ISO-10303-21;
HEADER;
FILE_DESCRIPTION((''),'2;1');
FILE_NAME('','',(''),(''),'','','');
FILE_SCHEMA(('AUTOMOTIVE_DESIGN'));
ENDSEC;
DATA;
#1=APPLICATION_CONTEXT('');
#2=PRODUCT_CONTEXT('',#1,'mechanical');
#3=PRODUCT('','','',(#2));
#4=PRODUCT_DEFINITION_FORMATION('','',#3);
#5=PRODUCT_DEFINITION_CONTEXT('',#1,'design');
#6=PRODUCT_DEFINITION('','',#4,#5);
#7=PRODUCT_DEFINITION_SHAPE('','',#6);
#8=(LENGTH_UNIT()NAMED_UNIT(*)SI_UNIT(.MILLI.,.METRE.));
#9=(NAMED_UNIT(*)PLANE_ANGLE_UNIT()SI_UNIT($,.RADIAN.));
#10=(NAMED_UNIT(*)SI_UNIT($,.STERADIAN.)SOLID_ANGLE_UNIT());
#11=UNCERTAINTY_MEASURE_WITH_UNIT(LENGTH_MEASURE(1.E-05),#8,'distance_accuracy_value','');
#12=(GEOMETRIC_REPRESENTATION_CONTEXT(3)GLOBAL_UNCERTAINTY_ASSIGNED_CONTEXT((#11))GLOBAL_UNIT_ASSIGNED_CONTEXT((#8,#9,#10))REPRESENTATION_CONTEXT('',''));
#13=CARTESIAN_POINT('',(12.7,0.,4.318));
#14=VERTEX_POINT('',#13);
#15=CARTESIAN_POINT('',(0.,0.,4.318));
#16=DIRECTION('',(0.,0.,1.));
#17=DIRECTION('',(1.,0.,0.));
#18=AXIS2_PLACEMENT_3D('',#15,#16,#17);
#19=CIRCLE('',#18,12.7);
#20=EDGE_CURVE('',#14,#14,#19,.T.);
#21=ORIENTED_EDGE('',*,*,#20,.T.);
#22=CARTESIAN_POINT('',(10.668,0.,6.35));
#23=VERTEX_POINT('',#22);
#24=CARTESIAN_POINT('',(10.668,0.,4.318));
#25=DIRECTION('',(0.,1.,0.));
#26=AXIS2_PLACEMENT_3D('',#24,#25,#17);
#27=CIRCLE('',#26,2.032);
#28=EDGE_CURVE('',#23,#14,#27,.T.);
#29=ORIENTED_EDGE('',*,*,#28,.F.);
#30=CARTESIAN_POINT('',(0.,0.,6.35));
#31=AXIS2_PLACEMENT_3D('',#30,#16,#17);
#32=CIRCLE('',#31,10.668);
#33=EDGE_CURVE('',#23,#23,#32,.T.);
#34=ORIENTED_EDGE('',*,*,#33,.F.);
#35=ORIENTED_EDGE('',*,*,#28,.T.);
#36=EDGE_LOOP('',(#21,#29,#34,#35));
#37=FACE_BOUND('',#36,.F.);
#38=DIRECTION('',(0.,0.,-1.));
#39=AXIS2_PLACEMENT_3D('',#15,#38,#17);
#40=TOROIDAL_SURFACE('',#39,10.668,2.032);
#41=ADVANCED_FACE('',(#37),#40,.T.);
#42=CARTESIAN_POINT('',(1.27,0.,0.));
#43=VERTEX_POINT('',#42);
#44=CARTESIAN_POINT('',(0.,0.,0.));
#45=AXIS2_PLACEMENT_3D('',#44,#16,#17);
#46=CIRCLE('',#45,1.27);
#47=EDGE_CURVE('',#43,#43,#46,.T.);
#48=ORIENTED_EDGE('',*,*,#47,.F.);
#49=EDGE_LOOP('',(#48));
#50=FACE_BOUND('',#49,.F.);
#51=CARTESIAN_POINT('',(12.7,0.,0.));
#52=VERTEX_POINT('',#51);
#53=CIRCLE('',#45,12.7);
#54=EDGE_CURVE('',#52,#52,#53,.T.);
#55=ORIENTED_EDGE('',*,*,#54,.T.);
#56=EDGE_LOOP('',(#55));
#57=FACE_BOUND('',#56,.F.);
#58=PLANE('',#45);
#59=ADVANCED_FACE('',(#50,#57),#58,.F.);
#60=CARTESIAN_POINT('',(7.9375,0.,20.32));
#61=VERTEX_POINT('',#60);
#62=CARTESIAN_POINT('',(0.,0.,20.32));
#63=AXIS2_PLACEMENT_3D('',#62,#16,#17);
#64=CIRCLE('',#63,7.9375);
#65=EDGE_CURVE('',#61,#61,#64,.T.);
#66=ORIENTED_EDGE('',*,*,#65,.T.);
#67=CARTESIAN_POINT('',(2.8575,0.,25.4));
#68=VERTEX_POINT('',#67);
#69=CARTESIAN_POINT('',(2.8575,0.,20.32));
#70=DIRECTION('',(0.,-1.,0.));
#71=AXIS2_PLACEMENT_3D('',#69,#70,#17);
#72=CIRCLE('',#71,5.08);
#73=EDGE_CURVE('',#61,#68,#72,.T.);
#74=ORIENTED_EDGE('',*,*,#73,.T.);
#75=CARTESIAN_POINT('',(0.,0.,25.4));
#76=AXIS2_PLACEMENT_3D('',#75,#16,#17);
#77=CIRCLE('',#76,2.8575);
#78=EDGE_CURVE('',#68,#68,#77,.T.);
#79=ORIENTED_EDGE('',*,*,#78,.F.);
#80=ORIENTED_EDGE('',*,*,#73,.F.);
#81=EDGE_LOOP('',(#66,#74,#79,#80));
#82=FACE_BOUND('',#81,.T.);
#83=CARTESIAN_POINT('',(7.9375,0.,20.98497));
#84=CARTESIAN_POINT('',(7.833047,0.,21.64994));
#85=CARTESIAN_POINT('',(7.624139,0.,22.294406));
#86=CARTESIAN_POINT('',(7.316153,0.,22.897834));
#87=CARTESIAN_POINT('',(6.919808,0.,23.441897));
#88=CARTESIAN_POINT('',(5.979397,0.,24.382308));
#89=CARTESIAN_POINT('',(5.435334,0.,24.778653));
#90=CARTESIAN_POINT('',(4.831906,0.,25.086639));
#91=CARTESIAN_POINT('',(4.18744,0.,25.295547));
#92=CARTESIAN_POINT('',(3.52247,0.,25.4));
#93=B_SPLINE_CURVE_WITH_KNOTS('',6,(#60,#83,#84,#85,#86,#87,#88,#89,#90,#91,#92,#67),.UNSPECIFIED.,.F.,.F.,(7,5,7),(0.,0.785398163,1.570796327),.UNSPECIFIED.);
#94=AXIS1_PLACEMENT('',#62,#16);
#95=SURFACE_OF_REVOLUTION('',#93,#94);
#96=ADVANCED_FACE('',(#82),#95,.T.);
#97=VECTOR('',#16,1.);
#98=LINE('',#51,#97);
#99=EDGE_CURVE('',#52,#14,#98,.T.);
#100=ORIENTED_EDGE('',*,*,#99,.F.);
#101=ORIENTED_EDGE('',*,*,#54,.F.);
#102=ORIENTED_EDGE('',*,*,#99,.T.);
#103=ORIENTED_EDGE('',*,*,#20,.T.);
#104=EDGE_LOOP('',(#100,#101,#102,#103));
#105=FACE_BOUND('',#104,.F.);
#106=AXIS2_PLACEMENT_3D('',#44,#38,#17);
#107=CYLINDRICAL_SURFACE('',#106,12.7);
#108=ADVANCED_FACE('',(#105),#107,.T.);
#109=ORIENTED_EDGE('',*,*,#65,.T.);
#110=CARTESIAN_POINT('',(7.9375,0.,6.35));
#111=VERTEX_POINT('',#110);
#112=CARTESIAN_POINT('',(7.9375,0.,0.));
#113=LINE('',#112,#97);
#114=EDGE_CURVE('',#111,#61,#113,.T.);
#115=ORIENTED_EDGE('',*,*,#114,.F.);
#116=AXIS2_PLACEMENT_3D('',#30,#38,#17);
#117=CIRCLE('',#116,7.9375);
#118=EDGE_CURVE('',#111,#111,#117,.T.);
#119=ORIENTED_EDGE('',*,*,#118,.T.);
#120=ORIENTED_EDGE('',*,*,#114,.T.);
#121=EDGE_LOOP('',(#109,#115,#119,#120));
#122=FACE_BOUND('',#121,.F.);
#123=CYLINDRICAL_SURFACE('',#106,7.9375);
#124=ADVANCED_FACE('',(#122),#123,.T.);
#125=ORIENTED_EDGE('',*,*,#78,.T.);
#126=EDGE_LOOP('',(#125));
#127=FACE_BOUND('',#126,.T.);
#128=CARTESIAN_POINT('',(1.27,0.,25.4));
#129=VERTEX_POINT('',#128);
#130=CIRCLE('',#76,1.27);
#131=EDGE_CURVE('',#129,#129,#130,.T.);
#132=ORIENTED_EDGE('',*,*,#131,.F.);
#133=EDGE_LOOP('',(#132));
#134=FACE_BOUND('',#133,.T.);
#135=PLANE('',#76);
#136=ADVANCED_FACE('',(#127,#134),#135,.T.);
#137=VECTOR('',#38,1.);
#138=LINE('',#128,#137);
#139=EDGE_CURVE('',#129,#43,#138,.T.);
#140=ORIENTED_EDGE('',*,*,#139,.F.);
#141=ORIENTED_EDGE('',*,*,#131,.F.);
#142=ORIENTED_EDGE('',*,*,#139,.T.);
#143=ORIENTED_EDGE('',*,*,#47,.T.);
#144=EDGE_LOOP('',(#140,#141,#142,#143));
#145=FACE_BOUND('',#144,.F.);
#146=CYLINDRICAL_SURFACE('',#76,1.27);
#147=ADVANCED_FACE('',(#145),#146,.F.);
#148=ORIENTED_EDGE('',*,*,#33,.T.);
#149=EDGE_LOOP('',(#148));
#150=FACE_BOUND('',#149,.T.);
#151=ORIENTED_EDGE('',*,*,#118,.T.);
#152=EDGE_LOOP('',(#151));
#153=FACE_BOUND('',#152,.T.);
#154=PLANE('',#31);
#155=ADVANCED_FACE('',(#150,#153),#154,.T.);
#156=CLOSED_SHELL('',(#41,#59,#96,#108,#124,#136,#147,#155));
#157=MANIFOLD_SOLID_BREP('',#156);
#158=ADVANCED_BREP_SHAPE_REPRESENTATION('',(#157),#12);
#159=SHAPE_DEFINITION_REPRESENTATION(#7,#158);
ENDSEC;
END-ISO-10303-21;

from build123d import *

# Parameters (mm, degrees)
F0_R     = 7.9375
F2_DEPTH = 25.4
F1_R     = 12.7
F3_DEPTH = 6.35
F4_R     = 5.08
F5_R     = 2.032
F6_R     = 1.27
F7_DEPTH = 38.1


with BuildPart() as f2:
    # F0 (on Top) → F2 (new body)
    with BuildSketch(Plane.XY):
        Circle(F0_R)
    extrude(amount=F2_DEPTH)

    # F1 (on Top) → F3 (join)
    with BuildSketch(Plane.XY):
        Circle(F1_R)
    extrude(amount=F3_DEPTH)

    # F4
    f4_edges = [f2.edges().sort_by_distance(p)[0] for p in [
        (-7.9375, 0, 25.4),
    ]]
    fillet(f4_edges, radius=F4_R)

    # F5
    f5_edges = [f2.edges().sort_by_distance(p)[0] for p in [
        (-12.7, 0, 6.35),
    ]]
    fillet(f5_edges, radius=F5_R)

    # F6 (on face) → F7 (cut)
    with BuildSketch(Plane.XY.offset(25.4)):
        Circle(F6_R)
    extrude(amount=-F7_DEPTH, mode=Mode.SUBTRACT)


solid = f2.part
